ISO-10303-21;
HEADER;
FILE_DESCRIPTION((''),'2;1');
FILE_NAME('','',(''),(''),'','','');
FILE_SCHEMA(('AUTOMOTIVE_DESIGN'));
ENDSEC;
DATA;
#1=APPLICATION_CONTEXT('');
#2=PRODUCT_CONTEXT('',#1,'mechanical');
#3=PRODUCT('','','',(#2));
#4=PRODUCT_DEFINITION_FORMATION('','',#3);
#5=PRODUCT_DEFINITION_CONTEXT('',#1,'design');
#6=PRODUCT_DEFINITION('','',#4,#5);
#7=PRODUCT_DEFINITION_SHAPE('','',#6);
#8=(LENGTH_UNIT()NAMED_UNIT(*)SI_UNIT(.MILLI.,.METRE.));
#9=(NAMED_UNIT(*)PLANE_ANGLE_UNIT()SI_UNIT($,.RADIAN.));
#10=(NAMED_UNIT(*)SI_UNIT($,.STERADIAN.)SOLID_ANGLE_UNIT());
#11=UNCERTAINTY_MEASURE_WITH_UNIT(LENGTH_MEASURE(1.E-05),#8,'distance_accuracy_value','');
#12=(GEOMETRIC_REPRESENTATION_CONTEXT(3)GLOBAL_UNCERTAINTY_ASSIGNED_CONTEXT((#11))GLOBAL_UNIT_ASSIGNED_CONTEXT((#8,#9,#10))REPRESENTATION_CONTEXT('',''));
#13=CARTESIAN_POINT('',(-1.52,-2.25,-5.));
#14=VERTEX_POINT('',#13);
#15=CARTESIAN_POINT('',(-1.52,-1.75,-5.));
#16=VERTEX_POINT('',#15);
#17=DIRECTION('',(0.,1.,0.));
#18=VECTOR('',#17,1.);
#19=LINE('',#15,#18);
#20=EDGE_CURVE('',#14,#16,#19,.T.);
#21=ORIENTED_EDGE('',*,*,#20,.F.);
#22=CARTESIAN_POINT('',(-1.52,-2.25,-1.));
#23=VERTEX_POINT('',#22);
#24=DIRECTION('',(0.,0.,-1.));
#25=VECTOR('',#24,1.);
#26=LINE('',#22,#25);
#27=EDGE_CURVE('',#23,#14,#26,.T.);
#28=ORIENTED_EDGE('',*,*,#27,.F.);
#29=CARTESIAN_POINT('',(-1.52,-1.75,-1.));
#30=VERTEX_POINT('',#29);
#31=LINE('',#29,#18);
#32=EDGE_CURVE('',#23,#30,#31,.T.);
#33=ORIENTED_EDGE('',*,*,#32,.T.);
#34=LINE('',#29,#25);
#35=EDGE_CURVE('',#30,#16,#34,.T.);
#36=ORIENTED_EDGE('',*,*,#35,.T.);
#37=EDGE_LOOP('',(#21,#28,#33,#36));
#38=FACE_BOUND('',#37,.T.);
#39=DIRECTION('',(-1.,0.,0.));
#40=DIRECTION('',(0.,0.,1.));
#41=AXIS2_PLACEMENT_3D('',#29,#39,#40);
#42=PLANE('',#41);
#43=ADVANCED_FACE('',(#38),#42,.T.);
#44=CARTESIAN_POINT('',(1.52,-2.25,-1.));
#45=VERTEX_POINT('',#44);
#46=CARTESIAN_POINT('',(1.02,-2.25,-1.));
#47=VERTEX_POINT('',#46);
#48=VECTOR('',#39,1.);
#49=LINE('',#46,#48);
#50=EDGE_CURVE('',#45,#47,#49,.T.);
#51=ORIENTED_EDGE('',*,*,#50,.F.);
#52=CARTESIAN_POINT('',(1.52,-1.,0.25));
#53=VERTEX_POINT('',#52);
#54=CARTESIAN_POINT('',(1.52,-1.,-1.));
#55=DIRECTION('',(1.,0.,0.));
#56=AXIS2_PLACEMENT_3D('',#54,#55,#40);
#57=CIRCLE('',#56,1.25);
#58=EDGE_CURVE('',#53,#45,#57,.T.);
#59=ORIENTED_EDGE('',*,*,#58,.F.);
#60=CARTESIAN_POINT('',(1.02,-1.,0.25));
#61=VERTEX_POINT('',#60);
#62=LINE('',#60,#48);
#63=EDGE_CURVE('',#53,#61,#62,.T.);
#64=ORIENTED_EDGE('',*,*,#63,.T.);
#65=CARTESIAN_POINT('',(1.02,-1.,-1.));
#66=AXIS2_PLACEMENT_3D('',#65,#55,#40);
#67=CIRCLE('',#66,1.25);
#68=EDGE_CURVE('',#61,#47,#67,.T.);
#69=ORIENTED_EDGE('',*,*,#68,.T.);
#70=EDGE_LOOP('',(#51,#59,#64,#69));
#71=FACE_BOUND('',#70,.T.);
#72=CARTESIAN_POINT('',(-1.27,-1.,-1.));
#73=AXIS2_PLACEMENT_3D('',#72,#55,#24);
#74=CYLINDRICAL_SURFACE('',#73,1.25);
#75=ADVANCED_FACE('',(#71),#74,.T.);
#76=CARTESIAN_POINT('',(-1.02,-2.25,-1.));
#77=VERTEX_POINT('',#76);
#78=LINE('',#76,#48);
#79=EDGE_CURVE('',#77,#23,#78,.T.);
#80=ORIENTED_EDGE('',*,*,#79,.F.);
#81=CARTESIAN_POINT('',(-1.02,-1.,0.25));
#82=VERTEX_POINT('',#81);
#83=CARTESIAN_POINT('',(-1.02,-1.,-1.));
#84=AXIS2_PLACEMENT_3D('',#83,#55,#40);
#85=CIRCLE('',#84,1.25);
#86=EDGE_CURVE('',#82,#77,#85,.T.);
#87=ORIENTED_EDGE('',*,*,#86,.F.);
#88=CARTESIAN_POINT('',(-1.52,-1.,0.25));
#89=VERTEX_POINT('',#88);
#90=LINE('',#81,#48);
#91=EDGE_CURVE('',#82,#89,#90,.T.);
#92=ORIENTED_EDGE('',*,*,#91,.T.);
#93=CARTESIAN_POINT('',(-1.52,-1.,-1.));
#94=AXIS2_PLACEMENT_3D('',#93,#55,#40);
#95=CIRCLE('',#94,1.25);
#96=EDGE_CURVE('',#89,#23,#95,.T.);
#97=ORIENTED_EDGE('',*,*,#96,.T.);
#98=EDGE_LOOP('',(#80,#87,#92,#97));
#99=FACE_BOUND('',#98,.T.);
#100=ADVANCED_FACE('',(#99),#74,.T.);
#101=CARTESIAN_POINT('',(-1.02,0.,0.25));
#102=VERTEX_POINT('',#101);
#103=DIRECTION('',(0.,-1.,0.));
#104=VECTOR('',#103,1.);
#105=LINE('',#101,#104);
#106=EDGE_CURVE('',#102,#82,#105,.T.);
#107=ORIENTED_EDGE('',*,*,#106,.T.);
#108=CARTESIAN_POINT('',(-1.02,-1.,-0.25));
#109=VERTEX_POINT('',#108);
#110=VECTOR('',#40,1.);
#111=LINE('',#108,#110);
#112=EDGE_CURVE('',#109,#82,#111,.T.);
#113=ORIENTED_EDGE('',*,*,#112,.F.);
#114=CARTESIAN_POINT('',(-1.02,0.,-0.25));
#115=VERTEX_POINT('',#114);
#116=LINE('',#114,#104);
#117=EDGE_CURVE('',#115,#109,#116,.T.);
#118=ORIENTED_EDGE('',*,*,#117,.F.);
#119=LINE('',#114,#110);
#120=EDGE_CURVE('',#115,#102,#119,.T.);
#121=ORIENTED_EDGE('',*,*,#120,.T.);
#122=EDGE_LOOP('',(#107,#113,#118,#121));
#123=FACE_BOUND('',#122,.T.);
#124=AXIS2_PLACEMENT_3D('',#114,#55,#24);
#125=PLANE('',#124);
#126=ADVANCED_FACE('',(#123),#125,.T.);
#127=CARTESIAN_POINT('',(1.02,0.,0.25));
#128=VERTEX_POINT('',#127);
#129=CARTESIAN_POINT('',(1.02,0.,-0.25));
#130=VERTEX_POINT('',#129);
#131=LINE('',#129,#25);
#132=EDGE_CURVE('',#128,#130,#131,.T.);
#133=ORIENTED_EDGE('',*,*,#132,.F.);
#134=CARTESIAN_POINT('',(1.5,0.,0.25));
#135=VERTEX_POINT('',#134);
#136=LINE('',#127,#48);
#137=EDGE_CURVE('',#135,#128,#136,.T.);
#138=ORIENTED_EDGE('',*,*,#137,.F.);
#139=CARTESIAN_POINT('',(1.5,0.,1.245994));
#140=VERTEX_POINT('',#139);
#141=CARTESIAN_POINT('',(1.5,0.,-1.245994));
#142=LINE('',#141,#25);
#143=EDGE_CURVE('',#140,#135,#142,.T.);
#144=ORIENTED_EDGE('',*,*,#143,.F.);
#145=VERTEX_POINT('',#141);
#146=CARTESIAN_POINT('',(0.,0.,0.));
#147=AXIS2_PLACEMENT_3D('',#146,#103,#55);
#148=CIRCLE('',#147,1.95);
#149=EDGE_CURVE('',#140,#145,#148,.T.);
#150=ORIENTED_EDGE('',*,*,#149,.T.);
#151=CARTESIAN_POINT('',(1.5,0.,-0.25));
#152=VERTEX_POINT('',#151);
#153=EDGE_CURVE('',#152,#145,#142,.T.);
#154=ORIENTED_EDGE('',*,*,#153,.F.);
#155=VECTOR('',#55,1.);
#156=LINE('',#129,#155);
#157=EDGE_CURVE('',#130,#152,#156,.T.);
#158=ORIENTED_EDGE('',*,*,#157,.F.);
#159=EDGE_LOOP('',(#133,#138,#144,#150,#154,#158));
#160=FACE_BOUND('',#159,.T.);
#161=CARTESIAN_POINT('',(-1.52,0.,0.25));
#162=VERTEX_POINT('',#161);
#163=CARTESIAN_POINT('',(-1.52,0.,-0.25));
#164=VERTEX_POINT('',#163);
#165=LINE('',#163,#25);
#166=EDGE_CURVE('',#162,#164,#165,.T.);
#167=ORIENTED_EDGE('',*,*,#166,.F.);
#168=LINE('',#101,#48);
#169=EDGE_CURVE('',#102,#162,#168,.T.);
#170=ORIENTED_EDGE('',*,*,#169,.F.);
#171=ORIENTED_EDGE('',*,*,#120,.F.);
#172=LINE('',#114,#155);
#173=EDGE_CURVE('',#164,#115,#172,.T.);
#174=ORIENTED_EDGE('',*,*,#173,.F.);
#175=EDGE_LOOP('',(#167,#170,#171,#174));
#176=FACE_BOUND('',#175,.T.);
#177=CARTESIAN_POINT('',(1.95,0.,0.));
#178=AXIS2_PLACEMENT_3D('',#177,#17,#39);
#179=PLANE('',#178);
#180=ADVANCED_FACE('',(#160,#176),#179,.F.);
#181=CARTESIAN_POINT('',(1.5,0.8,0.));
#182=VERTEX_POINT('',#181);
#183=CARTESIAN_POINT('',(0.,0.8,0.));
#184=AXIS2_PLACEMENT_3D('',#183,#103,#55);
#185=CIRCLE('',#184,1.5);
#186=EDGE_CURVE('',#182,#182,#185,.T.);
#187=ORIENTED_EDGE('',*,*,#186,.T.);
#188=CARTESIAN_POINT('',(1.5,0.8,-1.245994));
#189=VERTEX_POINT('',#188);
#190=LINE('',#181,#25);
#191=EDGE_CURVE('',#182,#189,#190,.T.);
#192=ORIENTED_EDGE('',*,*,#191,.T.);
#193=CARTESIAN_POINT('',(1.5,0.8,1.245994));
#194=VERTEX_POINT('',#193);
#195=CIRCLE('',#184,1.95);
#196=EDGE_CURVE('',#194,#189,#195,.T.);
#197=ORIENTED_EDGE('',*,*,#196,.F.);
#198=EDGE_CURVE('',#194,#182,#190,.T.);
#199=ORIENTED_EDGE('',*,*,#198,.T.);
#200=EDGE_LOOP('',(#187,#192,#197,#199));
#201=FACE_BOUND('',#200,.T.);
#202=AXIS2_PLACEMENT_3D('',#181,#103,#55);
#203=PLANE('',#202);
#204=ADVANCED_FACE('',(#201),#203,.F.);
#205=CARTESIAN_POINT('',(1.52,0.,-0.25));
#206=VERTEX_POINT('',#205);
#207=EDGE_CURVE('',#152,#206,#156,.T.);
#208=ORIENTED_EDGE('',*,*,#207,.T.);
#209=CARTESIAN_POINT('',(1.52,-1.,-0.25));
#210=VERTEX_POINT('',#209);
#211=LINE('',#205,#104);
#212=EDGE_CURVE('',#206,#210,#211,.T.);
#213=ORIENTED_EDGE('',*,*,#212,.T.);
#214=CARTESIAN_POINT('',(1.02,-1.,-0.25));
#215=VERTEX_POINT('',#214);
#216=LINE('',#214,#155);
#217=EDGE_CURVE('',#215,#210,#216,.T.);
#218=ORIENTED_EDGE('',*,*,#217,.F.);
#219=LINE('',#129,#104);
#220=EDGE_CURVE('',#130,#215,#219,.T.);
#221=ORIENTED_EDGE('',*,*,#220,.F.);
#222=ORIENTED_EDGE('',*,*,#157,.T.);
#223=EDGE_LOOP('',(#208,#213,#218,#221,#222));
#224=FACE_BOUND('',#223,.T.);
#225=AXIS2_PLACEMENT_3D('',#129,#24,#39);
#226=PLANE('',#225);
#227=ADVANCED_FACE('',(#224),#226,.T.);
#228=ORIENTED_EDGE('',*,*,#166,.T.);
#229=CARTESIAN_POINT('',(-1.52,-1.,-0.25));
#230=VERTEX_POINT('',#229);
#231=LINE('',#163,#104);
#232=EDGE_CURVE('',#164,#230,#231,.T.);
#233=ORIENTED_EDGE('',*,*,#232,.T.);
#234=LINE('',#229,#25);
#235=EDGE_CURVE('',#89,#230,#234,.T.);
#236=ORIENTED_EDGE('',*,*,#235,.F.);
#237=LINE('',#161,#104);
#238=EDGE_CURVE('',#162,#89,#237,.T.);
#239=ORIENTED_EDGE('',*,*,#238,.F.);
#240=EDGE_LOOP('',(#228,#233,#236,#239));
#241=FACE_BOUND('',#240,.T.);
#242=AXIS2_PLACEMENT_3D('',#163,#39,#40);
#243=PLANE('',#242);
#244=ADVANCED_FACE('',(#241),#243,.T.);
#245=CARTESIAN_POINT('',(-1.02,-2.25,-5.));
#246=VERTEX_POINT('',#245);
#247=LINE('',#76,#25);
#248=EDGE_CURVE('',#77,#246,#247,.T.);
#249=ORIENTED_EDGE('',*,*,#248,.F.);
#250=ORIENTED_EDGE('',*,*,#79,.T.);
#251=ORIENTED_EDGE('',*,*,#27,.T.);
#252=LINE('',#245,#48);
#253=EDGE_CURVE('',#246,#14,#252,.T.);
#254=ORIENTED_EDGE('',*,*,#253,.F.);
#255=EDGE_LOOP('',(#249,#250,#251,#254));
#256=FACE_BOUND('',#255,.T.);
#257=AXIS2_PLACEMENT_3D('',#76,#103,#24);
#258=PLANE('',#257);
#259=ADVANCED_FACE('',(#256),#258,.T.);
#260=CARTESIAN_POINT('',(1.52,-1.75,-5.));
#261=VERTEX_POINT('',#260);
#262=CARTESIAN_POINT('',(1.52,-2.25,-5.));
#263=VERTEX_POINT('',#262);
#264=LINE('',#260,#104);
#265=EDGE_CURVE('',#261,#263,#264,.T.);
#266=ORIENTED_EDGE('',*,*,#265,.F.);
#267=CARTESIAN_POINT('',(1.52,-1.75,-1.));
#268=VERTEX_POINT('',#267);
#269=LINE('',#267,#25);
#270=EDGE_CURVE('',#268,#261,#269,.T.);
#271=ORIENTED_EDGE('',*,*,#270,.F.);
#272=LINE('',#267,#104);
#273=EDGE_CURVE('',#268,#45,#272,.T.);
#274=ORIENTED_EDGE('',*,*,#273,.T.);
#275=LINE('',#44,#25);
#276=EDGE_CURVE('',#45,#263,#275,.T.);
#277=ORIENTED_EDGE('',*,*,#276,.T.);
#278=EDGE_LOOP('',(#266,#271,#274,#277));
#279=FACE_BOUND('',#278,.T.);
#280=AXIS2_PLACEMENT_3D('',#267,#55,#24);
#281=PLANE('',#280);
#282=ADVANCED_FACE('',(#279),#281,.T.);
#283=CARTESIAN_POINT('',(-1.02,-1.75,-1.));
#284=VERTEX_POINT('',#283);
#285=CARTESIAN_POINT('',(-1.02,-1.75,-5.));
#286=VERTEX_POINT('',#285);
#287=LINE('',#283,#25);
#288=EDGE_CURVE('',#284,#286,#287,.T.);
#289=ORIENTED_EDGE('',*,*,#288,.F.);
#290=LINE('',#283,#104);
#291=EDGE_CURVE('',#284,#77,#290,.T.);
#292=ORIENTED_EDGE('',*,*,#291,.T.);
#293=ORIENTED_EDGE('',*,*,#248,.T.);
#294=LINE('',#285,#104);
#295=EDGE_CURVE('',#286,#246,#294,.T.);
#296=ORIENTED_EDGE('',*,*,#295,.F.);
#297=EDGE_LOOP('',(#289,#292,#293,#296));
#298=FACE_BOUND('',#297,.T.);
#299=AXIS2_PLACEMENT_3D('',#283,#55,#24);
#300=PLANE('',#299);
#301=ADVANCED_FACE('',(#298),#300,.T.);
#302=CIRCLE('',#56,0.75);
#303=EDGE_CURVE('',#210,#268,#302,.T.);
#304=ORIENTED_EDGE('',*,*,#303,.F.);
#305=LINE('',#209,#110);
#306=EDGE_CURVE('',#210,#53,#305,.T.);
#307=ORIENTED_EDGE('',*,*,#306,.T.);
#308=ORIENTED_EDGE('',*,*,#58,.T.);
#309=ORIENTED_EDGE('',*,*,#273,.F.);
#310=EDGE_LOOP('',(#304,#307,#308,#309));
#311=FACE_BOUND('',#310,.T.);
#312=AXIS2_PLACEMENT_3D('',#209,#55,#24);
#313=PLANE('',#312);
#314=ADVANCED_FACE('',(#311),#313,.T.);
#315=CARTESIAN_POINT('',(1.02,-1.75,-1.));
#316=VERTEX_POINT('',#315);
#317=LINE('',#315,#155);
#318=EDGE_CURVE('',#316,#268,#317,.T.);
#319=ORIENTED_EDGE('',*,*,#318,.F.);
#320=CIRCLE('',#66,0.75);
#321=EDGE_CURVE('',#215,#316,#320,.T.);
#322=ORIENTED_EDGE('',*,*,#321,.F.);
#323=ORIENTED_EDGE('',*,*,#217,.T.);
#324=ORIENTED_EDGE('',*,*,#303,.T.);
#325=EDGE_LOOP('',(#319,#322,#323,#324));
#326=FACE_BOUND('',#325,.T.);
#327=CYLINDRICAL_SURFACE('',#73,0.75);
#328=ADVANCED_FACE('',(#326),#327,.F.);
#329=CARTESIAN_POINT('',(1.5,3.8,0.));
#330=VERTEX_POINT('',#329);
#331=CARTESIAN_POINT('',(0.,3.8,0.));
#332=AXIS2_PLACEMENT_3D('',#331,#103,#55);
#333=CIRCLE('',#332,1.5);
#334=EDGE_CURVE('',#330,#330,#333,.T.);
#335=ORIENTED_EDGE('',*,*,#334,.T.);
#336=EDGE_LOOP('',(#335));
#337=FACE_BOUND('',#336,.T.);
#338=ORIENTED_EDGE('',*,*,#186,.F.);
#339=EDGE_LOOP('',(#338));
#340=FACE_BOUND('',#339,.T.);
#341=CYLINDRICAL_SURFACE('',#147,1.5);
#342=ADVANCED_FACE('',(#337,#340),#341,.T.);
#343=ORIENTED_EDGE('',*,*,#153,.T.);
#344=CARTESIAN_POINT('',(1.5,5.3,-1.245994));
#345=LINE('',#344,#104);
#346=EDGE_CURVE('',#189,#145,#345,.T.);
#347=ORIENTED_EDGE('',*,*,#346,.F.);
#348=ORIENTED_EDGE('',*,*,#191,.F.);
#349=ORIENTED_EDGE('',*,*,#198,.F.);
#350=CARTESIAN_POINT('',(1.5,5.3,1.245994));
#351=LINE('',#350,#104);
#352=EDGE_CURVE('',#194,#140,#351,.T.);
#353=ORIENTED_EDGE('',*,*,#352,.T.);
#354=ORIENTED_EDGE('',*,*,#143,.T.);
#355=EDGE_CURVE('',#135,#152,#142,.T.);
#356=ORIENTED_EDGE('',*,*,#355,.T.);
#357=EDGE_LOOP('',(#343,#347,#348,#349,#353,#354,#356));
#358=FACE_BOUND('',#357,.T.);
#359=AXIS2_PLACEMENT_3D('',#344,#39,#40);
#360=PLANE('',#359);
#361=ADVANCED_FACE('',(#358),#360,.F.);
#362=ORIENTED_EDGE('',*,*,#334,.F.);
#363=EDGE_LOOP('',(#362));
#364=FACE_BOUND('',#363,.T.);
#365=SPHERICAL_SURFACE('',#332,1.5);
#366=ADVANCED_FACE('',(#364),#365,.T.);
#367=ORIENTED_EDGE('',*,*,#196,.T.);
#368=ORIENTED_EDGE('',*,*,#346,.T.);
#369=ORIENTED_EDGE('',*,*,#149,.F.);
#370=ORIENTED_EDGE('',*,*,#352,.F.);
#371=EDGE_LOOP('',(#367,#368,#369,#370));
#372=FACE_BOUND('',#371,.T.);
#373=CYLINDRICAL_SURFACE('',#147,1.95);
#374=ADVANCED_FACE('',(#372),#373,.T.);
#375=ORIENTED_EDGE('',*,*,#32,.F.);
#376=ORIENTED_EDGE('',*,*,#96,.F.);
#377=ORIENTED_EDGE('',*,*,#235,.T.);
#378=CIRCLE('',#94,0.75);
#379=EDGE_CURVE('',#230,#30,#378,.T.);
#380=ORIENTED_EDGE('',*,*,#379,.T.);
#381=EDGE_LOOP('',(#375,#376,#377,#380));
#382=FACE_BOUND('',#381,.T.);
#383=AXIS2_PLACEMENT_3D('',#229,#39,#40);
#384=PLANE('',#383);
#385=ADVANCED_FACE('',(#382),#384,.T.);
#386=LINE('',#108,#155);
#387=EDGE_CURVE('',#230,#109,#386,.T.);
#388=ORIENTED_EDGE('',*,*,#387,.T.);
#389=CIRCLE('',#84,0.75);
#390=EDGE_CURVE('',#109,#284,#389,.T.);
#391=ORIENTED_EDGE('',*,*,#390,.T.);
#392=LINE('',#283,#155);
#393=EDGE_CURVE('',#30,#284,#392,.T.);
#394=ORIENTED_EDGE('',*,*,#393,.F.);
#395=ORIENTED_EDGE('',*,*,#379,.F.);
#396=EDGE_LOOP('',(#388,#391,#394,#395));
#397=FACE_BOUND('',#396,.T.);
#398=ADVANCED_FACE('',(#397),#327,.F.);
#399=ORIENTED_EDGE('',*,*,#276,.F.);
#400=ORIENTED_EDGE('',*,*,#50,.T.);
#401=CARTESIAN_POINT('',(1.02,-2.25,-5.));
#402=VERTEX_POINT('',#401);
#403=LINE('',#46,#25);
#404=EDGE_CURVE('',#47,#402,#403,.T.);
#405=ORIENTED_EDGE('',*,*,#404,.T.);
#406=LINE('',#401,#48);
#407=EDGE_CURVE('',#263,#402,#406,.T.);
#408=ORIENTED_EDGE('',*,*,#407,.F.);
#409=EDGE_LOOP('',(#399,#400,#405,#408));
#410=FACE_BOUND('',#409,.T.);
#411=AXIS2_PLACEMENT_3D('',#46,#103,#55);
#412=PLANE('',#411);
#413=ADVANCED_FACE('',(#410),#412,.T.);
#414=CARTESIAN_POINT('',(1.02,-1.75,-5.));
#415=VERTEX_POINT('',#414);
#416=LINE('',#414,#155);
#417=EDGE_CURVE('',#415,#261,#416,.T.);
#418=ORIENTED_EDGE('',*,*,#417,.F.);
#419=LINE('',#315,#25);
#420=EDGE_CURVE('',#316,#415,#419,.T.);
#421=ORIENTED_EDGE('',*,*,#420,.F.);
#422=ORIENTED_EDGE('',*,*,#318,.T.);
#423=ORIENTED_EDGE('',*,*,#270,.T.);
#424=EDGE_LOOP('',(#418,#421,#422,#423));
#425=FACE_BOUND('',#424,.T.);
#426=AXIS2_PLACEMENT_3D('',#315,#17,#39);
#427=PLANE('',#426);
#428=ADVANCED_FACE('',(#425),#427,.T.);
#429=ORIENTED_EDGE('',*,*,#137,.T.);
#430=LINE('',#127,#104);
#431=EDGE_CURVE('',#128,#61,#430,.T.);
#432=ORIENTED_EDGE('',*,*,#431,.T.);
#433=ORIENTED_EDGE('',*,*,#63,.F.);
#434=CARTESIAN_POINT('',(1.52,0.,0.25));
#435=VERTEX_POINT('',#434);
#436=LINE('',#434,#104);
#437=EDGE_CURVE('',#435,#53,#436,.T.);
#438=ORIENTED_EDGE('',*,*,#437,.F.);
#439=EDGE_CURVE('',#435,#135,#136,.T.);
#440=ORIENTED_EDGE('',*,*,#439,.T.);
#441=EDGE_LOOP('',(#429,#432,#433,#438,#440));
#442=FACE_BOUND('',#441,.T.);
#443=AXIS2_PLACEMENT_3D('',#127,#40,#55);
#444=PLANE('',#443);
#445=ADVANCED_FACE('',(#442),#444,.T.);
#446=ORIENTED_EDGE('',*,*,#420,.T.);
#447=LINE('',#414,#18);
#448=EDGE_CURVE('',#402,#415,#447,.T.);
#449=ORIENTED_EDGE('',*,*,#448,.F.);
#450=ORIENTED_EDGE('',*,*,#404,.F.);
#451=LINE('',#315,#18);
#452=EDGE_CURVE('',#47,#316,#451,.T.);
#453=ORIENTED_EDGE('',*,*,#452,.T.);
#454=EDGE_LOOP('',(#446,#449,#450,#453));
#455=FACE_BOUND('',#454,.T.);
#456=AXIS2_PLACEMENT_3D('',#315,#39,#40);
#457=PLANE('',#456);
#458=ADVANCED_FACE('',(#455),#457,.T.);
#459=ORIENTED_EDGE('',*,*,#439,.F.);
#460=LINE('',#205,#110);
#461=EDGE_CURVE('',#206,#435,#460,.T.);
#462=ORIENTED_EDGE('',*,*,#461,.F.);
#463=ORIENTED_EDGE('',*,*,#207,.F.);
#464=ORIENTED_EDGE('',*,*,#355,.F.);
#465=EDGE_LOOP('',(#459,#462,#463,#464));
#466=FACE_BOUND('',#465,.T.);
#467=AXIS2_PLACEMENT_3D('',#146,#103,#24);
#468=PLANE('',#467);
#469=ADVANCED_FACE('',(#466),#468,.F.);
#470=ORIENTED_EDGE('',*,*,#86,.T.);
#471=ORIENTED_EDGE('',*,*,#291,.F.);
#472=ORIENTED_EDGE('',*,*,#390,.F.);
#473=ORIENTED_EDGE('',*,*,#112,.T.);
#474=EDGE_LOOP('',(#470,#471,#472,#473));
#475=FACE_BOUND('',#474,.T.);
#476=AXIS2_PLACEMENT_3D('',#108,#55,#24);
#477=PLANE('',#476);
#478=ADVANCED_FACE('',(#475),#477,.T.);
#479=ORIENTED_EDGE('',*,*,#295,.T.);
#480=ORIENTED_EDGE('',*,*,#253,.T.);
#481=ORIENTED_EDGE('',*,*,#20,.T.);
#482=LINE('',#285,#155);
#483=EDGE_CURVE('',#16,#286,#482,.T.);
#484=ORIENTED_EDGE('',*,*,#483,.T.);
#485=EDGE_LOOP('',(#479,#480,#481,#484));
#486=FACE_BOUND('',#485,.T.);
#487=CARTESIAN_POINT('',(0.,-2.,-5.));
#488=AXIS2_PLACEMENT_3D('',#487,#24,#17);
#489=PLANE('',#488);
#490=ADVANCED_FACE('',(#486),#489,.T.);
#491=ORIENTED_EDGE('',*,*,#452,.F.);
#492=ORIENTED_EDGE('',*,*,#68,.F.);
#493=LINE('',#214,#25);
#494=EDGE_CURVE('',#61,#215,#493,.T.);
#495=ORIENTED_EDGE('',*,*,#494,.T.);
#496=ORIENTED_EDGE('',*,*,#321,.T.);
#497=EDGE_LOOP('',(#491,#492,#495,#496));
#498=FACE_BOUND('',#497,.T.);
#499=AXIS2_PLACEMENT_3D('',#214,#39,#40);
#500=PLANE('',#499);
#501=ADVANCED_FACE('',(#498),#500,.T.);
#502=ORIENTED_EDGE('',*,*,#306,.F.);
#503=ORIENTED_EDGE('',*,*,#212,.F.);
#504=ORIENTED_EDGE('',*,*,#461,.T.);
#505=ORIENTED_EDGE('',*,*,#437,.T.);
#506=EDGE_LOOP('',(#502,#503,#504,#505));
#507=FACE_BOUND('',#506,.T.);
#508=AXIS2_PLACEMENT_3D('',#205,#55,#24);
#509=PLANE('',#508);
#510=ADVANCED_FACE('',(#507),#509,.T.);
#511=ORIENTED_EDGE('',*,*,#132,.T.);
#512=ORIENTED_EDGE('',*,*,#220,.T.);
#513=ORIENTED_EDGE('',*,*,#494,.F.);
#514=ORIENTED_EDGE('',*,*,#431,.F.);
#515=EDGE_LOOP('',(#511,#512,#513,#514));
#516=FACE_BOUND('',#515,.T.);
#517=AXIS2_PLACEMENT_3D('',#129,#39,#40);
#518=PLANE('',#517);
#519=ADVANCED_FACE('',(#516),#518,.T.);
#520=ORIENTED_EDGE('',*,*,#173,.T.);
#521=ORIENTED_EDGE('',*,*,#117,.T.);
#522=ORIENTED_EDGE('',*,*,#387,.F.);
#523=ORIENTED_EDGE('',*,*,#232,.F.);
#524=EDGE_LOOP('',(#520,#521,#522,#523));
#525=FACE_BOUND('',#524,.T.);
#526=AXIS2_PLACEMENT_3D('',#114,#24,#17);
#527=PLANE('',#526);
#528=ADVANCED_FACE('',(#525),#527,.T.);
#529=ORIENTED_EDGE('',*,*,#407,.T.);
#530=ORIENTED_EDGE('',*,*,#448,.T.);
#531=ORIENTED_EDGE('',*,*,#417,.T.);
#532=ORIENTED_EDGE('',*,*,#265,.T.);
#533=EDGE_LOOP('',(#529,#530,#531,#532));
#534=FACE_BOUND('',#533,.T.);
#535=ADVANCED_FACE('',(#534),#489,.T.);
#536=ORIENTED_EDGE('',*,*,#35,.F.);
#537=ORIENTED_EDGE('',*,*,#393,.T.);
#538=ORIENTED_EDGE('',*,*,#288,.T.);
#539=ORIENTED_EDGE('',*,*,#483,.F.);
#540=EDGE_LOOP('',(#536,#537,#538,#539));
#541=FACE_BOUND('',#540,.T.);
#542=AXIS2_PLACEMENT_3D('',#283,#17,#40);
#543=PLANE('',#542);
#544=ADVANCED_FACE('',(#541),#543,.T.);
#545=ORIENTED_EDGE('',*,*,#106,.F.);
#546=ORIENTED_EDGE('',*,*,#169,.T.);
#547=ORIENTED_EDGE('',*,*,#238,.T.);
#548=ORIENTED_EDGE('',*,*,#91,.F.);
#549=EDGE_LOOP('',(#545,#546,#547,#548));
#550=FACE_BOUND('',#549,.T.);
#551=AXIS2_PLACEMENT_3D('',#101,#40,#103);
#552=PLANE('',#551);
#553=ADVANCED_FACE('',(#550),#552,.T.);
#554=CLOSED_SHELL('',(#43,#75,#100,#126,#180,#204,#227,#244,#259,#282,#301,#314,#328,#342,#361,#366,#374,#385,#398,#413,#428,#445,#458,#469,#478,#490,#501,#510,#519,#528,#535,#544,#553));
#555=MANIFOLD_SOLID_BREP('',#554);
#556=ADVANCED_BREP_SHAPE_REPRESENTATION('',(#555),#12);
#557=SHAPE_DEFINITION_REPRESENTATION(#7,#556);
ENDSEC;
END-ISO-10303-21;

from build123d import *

# Parameters (mm, degrees)
SKETCH2_W          = 0.45
SKETCH2_H          = 2.491987158
CUT_EXTRUDE1_DEPTH = 6.97452927
SKETCH3_W          = 0.5
SKETCH3_H          = 0.5


with BuildPart() as part:
    # Sketch1 → Revolve1 (revolve)
    with BuildSketch(Plane(origin=(0, 0, 0), x_dir=(1, 0, 0), z_dir=(0, 0, -1))):
        with BuildLine():
            Line((0, 0), (0, -5.3))
            ThreePointArc((0, -5.3), (1.060660172, -4.860660172), (1.5, -3.8))
            Line((1.5, -3.8), (1.5, -0.8))
            Line((1.5, -0.8), (1.95, -0.8))
            Line((1.95, -0.8), (1.95, 0))
            Line((1.95, 0), (0, 0))
        make_face()
    revolve(axis=Axis((0, 0, 0), (0, 1, 0)))

    # Sketch2 → Cut-Extrude1 (cut, through all)
    with BuildSketch(Plane(origin=(0, 0, 0), x_dir=(-1, 0, 0), z_dir=(0, -1, 0))):
        with Locations((-1.725, 0)):
            Rectangle(SKETCH2_W, SKETCH2_H)
    extrude(amount=-CUT_EXTRUDE1_DEPTH, mode=Mode.SUBTRACT)

    # Sweep1: sweep along a path in Sketch4
    with BuildLine(Plane(origin=(-1.27, 0, 0), x_dir=(0, 0, -1), z_dir=(1, 0, 0))) as sweep1_path:
        Line((0, 0), (0, -1))
        ThreePointArc((0, -1), (0.292893219, -1.707106781), (1, -2))
        Line((1, -2), (5, -2))
    # Sketch3 → Sweep1 (sweep)
    with BuildSketch(Plane(origin=(0, 0, 0), x_dir=(-1, 0, 0), z_dir=(0, -1, 0))):
        with Locations((-1.27, 0)):
            Rectangle(SKETCH3_W, SKETCH3_H)
        with Locations((1.27, 0)):
            Rectangle(SKETCH3_W, SKETCH3_H)
    sweep(path=sweep1_path.line)


solid = part.part
